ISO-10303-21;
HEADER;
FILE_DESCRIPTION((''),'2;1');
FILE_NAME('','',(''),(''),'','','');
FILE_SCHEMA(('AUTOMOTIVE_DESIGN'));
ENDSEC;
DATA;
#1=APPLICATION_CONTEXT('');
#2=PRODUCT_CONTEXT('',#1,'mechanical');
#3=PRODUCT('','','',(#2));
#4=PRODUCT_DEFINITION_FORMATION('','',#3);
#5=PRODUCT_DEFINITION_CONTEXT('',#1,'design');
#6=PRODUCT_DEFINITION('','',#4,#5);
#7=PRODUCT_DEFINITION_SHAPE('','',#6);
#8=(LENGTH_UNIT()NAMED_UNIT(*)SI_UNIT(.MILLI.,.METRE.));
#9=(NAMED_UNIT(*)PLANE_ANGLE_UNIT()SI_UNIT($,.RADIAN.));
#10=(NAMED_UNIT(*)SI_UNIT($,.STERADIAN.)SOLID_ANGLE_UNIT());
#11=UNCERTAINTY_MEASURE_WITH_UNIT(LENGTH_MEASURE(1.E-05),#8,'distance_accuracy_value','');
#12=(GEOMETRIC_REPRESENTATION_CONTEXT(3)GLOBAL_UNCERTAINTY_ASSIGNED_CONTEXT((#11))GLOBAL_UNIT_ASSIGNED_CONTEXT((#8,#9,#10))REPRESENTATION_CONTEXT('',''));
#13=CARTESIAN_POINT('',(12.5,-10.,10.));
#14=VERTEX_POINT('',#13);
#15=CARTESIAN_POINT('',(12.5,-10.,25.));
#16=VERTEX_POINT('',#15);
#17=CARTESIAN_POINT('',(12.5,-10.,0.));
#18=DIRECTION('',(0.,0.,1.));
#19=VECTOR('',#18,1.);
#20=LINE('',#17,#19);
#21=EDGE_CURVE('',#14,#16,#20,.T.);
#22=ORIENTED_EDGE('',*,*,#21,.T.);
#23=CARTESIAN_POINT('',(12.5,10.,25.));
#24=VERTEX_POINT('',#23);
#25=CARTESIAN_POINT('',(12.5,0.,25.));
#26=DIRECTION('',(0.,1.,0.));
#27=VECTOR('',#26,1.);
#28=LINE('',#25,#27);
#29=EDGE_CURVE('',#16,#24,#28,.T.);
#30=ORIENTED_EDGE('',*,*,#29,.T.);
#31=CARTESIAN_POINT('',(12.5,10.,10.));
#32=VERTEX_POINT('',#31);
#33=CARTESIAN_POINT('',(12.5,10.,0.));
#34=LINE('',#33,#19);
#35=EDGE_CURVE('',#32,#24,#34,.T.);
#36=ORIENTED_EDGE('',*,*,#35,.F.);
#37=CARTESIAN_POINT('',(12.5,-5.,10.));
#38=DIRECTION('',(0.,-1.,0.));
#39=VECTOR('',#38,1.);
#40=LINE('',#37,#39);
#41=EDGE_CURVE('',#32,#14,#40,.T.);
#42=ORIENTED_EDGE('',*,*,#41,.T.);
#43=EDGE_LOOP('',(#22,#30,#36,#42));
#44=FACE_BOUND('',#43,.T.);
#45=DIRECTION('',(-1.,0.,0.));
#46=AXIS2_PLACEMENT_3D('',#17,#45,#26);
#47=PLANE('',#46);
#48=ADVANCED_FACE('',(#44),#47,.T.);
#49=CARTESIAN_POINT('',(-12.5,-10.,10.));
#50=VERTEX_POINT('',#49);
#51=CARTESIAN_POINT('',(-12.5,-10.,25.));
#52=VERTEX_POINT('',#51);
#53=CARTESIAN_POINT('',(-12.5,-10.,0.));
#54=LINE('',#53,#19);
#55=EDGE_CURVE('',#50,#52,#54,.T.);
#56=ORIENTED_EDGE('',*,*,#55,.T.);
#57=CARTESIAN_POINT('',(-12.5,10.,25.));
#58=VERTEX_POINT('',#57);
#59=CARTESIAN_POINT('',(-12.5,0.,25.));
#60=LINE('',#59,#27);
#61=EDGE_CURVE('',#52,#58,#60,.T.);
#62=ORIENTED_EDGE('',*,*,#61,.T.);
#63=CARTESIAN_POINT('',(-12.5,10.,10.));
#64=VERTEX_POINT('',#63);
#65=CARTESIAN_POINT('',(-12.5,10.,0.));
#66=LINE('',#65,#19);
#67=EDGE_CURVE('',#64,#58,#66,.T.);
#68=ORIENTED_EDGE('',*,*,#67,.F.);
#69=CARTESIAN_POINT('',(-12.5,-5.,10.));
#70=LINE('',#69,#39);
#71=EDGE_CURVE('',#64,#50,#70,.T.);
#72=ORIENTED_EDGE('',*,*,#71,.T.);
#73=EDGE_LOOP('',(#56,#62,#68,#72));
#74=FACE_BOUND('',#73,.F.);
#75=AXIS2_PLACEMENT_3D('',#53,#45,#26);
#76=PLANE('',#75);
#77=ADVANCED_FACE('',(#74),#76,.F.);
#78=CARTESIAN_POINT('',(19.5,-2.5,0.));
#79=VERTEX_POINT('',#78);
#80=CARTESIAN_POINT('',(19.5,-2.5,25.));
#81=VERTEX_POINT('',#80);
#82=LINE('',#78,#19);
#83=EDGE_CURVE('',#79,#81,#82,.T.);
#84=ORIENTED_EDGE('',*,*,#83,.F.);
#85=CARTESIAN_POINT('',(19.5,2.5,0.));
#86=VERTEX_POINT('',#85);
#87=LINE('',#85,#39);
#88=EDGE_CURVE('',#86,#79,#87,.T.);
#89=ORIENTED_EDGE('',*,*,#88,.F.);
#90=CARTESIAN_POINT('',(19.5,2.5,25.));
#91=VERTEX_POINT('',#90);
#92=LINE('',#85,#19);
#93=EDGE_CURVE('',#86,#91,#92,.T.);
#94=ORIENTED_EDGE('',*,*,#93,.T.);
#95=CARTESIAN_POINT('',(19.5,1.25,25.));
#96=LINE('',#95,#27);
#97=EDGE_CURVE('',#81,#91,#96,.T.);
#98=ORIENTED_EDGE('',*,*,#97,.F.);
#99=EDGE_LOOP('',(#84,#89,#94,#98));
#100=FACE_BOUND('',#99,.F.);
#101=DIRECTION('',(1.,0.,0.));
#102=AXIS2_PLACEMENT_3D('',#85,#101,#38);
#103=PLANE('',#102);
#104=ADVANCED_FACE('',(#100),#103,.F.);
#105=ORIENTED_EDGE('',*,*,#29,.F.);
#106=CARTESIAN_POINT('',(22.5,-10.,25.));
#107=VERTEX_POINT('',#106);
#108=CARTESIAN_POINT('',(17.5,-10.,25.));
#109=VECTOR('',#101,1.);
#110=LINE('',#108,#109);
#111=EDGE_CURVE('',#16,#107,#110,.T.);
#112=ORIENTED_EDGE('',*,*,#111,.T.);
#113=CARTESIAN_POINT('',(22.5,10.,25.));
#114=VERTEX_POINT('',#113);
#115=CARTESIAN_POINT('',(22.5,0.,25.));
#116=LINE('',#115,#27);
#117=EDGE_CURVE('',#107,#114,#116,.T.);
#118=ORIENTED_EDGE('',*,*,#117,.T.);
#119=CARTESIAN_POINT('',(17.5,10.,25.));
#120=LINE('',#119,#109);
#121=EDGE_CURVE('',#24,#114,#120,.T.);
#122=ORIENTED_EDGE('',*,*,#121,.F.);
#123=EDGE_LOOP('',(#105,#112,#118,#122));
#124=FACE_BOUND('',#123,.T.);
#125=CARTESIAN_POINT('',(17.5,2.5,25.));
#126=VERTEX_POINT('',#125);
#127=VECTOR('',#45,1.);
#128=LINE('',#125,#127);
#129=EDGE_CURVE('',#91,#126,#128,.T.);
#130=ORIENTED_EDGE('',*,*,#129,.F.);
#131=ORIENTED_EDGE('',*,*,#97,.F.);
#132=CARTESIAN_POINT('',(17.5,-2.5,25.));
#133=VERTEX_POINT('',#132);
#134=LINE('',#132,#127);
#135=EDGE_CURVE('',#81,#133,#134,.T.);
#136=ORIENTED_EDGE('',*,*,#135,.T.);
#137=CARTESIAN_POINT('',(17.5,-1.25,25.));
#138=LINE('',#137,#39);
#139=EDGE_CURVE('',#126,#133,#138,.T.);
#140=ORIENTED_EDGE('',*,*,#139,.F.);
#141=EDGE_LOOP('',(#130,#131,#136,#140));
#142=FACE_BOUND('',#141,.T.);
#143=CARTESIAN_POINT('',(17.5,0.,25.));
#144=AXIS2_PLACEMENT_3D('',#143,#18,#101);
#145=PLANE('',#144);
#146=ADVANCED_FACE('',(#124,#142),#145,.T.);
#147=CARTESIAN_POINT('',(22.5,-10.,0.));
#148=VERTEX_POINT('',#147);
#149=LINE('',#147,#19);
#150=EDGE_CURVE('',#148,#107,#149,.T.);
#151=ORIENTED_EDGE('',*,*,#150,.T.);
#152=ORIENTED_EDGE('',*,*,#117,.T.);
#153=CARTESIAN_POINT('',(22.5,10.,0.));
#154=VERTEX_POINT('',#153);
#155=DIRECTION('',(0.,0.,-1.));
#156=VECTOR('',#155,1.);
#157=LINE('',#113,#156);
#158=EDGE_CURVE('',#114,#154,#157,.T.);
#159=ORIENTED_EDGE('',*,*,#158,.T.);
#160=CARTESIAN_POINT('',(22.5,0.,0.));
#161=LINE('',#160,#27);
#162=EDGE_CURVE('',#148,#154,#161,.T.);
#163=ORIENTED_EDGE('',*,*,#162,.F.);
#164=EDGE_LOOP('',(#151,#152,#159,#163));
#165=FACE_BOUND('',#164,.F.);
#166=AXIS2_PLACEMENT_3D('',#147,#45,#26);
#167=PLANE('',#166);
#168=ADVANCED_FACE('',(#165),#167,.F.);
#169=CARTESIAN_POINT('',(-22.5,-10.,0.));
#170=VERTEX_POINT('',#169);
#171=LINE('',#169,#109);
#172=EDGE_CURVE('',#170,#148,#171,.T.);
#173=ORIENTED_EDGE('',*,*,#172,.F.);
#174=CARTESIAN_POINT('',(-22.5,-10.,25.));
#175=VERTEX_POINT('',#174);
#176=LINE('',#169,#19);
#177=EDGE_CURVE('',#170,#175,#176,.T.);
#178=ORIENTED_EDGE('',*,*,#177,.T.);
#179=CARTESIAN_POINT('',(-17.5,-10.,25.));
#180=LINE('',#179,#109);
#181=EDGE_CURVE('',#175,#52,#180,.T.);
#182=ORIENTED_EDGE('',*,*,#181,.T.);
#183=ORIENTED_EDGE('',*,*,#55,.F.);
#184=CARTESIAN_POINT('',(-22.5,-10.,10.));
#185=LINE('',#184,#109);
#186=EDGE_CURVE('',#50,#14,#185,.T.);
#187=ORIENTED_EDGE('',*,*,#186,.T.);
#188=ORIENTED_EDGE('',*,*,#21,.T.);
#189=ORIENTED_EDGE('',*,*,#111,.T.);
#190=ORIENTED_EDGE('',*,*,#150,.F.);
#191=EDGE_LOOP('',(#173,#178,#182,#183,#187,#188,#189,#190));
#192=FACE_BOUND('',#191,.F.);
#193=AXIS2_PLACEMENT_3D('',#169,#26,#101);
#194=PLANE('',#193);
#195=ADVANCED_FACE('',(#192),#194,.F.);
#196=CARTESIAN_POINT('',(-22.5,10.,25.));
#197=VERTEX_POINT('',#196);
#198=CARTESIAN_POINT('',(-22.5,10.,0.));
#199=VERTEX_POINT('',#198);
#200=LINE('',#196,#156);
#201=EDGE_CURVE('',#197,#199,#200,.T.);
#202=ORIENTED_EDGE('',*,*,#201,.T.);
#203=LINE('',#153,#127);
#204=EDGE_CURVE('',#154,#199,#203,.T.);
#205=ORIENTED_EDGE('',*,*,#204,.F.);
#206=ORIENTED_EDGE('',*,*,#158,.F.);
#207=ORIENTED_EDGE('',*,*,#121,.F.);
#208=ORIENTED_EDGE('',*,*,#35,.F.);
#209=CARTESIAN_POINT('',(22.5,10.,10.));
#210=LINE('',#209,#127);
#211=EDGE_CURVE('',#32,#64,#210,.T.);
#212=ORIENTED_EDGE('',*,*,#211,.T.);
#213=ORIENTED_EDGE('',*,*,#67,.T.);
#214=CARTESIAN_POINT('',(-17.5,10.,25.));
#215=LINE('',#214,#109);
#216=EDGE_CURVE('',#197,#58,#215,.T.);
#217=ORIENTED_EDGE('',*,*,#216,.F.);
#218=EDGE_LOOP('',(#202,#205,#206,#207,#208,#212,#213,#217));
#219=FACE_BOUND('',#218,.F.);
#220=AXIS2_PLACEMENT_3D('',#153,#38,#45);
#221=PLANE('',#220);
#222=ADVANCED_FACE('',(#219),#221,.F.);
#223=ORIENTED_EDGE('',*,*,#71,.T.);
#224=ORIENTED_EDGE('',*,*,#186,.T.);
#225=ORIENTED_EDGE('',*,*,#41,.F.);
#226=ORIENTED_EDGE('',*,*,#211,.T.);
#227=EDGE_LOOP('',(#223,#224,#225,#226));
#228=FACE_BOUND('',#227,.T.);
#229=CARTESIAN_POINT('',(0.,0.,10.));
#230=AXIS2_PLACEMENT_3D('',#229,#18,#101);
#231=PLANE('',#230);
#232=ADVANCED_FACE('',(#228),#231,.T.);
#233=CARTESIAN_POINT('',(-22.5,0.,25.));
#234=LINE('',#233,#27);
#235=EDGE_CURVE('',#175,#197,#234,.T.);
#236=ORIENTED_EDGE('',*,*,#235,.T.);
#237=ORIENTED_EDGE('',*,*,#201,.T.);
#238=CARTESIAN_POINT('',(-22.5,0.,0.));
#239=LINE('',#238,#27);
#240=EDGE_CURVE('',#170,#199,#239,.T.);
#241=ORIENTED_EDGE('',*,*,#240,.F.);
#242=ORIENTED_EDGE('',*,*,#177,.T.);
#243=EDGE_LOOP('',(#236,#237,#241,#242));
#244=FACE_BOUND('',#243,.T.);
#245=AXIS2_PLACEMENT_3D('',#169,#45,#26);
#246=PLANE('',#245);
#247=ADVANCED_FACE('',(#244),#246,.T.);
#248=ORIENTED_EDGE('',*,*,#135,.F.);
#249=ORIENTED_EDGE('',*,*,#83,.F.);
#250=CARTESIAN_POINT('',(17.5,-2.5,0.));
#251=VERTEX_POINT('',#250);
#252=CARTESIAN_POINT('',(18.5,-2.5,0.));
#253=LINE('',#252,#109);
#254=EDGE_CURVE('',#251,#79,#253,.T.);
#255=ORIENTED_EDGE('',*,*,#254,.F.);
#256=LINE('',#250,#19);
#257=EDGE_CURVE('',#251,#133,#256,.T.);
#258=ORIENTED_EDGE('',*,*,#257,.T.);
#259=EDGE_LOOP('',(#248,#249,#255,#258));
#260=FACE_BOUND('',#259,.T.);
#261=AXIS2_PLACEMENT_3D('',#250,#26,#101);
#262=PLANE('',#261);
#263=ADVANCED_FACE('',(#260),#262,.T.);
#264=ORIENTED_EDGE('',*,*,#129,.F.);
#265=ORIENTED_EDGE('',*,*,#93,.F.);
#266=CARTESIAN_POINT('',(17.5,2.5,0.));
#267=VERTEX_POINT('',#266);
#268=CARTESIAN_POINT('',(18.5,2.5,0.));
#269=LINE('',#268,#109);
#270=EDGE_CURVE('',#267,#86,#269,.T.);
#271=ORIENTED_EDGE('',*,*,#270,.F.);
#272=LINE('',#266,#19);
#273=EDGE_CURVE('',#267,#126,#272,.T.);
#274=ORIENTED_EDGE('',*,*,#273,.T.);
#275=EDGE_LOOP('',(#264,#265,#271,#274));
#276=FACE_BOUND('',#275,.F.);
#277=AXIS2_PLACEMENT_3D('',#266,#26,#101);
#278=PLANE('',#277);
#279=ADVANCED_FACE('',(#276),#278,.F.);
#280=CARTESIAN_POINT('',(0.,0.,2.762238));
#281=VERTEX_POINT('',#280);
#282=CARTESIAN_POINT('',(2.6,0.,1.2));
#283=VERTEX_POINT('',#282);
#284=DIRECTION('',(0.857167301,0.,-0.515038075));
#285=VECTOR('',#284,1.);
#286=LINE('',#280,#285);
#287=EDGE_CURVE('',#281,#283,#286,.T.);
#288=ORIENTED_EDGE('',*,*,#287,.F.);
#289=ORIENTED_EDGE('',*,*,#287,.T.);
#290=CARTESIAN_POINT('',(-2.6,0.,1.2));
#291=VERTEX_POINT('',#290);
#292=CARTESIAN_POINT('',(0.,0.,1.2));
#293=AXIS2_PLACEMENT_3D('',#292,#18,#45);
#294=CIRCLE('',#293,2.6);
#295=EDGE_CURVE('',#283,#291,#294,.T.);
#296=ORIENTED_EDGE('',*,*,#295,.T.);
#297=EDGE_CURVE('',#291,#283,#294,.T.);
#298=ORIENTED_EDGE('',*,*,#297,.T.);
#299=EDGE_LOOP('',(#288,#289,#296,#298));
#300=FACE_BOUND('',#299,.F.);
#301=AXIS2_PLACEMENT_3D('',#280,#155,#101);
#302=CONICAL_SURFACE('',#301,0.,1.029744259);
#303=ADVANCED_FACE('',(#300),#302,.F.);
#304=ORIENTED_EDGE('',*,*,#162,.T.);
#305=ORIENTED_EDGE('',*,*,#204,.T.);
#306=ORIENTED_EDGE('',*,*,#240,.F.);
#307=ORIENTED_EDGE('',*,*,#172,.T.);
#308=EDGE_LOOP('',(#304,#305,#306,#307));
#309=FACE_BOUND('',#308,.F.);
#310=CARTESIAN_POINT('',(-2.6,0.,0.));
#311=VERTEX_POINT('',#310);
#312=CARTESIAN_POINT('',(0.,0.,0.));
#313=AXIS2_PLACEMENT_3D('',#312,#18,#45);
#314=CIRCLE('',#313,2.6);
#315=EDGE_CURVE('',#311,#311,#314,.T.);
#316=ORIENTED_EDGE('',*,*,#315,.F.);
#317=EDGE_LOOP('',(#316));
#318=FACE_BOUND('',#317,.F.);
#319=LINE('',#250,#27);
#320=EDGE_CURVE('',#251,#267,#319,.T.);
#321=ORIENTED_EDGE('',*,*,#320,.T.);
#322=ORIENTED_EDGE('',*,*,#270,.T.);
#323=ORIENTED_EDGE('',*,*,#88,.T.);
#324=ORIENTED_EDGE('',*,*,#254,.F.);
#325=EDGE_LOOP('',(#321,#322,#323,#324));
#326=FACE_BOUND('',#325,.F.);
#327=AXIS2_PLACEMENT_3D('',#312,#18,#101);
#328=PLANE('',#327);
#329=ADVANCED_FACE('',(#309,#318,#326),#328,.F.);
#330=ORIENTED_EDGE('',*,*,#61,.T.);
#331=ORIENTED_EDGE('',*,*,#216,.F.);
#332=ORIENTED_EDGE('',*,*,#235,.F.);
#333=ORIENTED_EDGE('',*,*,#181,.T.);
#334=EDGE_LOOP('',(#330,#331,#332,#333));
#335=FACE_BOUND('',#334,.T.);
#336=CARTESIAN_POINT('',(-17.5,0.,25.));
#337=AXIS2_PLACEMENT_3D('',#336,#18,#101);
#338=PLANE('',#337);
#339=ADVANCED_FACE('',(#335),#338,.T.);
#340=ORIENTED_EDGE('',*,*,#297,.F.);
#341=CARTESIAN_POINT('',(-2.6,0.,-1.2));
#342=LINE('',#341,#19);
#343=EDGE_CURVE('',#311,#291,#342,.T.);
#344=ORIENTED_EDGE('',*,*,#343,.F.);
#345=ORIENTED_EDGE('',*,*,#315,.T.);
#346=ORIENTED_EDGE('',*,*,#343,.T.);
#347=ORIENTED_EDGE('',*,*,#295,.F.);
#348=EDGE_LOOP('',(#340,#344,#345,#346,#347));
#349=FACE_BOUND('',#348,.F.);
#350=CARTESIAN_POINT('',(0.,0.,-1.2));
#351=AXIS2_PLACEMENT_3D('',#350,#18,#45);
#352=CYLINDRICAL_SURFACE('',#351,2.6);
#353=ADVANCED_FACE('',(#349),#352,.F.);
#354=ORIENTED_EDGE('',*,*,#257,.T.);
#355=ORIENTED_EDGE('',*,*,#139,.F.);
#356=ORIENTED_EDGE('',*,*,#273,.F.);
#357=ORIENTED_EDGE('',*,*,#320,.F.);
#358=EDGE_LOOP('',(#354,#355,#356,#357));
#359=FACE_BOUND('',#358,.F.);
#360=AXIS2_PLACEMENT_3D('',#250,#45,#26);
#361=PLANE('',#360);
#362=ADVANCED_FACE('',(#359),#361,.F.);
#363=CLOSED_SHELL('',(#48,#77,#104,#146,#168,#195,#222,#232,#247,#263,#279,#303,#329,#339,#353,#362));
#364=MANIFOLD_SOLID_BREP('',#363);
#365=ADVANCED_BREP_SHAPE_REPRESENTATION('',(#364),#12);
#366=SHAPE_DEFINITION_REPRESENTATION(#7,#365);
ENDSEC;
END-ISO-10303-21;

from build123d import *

# Parameters (mm, degrees)
F0_W     = 25
F0_H     = 20
F0_W_2   = 10
F1_DEPTH = 10
F2_DEPTH = 25
F4_D     = 5.2
F4_DEPTH = 1.2
F4_TIP   = 1.5622376095
F3_W     = 2
F3_H     = 2.5
F5_DEPTH = 36.07


with BuildPart() as f1:
    # F0 (on Top) → F1 (new body)
    with BuildSketch(Plane.XY):
        Rectangle(F0_W, F0_H)
        with Locations((-17.5, 0)):
            Rectangle(F0_W_2, F0_H)
        with Locations((17.5, 0)):
            Rectangle(F0_W_2, F0_H)
    extrude(amount=F1_DEPTH)

    # F0 (on Top) → F2 (join)
    with BuildSketch(Plane.XY):
        with Locations((-17.5, 0)):
            Rectangle(F0_W_2, F0_H)
        with Locations((17.5, 0)):
            Rectangle(F0_W_2, F0_H)
    extrude(amount=F2_DEPTH)

    # F4
    with Locations(Plane(origin=(0, 0, 0), x_dir=(1, 0, 0), z_dir=(0, 0, -1))):
        with Locations((0, 0)):
            Hole(F4_D / 2, depth=F4_DEPTH)
            with Locations((0, 0, -(F4_DEPTH + F4_TIP / 2))):  # 118° drill point
                Cone(0, F4_D / 2, F4_TIP, mode=Mode.SUBTRACT)

    # F3 (on face) → F5 (cut)
    with BuildSketch(Plane(origin=(0, 0, 0), x_dir=(1, 0, 0), z_dir=(0, 0, -1))):
        with Locations((18.5, 1.25)):
            Rectangle(F3_W, F3_H)
        with Locations((18.5, -1.25)):
            Rectangle(F3_W, F3_H)
    extrude(amount=-F5_DEPTH, mode=Mode.SUBTRACT)


solid = f1.part
